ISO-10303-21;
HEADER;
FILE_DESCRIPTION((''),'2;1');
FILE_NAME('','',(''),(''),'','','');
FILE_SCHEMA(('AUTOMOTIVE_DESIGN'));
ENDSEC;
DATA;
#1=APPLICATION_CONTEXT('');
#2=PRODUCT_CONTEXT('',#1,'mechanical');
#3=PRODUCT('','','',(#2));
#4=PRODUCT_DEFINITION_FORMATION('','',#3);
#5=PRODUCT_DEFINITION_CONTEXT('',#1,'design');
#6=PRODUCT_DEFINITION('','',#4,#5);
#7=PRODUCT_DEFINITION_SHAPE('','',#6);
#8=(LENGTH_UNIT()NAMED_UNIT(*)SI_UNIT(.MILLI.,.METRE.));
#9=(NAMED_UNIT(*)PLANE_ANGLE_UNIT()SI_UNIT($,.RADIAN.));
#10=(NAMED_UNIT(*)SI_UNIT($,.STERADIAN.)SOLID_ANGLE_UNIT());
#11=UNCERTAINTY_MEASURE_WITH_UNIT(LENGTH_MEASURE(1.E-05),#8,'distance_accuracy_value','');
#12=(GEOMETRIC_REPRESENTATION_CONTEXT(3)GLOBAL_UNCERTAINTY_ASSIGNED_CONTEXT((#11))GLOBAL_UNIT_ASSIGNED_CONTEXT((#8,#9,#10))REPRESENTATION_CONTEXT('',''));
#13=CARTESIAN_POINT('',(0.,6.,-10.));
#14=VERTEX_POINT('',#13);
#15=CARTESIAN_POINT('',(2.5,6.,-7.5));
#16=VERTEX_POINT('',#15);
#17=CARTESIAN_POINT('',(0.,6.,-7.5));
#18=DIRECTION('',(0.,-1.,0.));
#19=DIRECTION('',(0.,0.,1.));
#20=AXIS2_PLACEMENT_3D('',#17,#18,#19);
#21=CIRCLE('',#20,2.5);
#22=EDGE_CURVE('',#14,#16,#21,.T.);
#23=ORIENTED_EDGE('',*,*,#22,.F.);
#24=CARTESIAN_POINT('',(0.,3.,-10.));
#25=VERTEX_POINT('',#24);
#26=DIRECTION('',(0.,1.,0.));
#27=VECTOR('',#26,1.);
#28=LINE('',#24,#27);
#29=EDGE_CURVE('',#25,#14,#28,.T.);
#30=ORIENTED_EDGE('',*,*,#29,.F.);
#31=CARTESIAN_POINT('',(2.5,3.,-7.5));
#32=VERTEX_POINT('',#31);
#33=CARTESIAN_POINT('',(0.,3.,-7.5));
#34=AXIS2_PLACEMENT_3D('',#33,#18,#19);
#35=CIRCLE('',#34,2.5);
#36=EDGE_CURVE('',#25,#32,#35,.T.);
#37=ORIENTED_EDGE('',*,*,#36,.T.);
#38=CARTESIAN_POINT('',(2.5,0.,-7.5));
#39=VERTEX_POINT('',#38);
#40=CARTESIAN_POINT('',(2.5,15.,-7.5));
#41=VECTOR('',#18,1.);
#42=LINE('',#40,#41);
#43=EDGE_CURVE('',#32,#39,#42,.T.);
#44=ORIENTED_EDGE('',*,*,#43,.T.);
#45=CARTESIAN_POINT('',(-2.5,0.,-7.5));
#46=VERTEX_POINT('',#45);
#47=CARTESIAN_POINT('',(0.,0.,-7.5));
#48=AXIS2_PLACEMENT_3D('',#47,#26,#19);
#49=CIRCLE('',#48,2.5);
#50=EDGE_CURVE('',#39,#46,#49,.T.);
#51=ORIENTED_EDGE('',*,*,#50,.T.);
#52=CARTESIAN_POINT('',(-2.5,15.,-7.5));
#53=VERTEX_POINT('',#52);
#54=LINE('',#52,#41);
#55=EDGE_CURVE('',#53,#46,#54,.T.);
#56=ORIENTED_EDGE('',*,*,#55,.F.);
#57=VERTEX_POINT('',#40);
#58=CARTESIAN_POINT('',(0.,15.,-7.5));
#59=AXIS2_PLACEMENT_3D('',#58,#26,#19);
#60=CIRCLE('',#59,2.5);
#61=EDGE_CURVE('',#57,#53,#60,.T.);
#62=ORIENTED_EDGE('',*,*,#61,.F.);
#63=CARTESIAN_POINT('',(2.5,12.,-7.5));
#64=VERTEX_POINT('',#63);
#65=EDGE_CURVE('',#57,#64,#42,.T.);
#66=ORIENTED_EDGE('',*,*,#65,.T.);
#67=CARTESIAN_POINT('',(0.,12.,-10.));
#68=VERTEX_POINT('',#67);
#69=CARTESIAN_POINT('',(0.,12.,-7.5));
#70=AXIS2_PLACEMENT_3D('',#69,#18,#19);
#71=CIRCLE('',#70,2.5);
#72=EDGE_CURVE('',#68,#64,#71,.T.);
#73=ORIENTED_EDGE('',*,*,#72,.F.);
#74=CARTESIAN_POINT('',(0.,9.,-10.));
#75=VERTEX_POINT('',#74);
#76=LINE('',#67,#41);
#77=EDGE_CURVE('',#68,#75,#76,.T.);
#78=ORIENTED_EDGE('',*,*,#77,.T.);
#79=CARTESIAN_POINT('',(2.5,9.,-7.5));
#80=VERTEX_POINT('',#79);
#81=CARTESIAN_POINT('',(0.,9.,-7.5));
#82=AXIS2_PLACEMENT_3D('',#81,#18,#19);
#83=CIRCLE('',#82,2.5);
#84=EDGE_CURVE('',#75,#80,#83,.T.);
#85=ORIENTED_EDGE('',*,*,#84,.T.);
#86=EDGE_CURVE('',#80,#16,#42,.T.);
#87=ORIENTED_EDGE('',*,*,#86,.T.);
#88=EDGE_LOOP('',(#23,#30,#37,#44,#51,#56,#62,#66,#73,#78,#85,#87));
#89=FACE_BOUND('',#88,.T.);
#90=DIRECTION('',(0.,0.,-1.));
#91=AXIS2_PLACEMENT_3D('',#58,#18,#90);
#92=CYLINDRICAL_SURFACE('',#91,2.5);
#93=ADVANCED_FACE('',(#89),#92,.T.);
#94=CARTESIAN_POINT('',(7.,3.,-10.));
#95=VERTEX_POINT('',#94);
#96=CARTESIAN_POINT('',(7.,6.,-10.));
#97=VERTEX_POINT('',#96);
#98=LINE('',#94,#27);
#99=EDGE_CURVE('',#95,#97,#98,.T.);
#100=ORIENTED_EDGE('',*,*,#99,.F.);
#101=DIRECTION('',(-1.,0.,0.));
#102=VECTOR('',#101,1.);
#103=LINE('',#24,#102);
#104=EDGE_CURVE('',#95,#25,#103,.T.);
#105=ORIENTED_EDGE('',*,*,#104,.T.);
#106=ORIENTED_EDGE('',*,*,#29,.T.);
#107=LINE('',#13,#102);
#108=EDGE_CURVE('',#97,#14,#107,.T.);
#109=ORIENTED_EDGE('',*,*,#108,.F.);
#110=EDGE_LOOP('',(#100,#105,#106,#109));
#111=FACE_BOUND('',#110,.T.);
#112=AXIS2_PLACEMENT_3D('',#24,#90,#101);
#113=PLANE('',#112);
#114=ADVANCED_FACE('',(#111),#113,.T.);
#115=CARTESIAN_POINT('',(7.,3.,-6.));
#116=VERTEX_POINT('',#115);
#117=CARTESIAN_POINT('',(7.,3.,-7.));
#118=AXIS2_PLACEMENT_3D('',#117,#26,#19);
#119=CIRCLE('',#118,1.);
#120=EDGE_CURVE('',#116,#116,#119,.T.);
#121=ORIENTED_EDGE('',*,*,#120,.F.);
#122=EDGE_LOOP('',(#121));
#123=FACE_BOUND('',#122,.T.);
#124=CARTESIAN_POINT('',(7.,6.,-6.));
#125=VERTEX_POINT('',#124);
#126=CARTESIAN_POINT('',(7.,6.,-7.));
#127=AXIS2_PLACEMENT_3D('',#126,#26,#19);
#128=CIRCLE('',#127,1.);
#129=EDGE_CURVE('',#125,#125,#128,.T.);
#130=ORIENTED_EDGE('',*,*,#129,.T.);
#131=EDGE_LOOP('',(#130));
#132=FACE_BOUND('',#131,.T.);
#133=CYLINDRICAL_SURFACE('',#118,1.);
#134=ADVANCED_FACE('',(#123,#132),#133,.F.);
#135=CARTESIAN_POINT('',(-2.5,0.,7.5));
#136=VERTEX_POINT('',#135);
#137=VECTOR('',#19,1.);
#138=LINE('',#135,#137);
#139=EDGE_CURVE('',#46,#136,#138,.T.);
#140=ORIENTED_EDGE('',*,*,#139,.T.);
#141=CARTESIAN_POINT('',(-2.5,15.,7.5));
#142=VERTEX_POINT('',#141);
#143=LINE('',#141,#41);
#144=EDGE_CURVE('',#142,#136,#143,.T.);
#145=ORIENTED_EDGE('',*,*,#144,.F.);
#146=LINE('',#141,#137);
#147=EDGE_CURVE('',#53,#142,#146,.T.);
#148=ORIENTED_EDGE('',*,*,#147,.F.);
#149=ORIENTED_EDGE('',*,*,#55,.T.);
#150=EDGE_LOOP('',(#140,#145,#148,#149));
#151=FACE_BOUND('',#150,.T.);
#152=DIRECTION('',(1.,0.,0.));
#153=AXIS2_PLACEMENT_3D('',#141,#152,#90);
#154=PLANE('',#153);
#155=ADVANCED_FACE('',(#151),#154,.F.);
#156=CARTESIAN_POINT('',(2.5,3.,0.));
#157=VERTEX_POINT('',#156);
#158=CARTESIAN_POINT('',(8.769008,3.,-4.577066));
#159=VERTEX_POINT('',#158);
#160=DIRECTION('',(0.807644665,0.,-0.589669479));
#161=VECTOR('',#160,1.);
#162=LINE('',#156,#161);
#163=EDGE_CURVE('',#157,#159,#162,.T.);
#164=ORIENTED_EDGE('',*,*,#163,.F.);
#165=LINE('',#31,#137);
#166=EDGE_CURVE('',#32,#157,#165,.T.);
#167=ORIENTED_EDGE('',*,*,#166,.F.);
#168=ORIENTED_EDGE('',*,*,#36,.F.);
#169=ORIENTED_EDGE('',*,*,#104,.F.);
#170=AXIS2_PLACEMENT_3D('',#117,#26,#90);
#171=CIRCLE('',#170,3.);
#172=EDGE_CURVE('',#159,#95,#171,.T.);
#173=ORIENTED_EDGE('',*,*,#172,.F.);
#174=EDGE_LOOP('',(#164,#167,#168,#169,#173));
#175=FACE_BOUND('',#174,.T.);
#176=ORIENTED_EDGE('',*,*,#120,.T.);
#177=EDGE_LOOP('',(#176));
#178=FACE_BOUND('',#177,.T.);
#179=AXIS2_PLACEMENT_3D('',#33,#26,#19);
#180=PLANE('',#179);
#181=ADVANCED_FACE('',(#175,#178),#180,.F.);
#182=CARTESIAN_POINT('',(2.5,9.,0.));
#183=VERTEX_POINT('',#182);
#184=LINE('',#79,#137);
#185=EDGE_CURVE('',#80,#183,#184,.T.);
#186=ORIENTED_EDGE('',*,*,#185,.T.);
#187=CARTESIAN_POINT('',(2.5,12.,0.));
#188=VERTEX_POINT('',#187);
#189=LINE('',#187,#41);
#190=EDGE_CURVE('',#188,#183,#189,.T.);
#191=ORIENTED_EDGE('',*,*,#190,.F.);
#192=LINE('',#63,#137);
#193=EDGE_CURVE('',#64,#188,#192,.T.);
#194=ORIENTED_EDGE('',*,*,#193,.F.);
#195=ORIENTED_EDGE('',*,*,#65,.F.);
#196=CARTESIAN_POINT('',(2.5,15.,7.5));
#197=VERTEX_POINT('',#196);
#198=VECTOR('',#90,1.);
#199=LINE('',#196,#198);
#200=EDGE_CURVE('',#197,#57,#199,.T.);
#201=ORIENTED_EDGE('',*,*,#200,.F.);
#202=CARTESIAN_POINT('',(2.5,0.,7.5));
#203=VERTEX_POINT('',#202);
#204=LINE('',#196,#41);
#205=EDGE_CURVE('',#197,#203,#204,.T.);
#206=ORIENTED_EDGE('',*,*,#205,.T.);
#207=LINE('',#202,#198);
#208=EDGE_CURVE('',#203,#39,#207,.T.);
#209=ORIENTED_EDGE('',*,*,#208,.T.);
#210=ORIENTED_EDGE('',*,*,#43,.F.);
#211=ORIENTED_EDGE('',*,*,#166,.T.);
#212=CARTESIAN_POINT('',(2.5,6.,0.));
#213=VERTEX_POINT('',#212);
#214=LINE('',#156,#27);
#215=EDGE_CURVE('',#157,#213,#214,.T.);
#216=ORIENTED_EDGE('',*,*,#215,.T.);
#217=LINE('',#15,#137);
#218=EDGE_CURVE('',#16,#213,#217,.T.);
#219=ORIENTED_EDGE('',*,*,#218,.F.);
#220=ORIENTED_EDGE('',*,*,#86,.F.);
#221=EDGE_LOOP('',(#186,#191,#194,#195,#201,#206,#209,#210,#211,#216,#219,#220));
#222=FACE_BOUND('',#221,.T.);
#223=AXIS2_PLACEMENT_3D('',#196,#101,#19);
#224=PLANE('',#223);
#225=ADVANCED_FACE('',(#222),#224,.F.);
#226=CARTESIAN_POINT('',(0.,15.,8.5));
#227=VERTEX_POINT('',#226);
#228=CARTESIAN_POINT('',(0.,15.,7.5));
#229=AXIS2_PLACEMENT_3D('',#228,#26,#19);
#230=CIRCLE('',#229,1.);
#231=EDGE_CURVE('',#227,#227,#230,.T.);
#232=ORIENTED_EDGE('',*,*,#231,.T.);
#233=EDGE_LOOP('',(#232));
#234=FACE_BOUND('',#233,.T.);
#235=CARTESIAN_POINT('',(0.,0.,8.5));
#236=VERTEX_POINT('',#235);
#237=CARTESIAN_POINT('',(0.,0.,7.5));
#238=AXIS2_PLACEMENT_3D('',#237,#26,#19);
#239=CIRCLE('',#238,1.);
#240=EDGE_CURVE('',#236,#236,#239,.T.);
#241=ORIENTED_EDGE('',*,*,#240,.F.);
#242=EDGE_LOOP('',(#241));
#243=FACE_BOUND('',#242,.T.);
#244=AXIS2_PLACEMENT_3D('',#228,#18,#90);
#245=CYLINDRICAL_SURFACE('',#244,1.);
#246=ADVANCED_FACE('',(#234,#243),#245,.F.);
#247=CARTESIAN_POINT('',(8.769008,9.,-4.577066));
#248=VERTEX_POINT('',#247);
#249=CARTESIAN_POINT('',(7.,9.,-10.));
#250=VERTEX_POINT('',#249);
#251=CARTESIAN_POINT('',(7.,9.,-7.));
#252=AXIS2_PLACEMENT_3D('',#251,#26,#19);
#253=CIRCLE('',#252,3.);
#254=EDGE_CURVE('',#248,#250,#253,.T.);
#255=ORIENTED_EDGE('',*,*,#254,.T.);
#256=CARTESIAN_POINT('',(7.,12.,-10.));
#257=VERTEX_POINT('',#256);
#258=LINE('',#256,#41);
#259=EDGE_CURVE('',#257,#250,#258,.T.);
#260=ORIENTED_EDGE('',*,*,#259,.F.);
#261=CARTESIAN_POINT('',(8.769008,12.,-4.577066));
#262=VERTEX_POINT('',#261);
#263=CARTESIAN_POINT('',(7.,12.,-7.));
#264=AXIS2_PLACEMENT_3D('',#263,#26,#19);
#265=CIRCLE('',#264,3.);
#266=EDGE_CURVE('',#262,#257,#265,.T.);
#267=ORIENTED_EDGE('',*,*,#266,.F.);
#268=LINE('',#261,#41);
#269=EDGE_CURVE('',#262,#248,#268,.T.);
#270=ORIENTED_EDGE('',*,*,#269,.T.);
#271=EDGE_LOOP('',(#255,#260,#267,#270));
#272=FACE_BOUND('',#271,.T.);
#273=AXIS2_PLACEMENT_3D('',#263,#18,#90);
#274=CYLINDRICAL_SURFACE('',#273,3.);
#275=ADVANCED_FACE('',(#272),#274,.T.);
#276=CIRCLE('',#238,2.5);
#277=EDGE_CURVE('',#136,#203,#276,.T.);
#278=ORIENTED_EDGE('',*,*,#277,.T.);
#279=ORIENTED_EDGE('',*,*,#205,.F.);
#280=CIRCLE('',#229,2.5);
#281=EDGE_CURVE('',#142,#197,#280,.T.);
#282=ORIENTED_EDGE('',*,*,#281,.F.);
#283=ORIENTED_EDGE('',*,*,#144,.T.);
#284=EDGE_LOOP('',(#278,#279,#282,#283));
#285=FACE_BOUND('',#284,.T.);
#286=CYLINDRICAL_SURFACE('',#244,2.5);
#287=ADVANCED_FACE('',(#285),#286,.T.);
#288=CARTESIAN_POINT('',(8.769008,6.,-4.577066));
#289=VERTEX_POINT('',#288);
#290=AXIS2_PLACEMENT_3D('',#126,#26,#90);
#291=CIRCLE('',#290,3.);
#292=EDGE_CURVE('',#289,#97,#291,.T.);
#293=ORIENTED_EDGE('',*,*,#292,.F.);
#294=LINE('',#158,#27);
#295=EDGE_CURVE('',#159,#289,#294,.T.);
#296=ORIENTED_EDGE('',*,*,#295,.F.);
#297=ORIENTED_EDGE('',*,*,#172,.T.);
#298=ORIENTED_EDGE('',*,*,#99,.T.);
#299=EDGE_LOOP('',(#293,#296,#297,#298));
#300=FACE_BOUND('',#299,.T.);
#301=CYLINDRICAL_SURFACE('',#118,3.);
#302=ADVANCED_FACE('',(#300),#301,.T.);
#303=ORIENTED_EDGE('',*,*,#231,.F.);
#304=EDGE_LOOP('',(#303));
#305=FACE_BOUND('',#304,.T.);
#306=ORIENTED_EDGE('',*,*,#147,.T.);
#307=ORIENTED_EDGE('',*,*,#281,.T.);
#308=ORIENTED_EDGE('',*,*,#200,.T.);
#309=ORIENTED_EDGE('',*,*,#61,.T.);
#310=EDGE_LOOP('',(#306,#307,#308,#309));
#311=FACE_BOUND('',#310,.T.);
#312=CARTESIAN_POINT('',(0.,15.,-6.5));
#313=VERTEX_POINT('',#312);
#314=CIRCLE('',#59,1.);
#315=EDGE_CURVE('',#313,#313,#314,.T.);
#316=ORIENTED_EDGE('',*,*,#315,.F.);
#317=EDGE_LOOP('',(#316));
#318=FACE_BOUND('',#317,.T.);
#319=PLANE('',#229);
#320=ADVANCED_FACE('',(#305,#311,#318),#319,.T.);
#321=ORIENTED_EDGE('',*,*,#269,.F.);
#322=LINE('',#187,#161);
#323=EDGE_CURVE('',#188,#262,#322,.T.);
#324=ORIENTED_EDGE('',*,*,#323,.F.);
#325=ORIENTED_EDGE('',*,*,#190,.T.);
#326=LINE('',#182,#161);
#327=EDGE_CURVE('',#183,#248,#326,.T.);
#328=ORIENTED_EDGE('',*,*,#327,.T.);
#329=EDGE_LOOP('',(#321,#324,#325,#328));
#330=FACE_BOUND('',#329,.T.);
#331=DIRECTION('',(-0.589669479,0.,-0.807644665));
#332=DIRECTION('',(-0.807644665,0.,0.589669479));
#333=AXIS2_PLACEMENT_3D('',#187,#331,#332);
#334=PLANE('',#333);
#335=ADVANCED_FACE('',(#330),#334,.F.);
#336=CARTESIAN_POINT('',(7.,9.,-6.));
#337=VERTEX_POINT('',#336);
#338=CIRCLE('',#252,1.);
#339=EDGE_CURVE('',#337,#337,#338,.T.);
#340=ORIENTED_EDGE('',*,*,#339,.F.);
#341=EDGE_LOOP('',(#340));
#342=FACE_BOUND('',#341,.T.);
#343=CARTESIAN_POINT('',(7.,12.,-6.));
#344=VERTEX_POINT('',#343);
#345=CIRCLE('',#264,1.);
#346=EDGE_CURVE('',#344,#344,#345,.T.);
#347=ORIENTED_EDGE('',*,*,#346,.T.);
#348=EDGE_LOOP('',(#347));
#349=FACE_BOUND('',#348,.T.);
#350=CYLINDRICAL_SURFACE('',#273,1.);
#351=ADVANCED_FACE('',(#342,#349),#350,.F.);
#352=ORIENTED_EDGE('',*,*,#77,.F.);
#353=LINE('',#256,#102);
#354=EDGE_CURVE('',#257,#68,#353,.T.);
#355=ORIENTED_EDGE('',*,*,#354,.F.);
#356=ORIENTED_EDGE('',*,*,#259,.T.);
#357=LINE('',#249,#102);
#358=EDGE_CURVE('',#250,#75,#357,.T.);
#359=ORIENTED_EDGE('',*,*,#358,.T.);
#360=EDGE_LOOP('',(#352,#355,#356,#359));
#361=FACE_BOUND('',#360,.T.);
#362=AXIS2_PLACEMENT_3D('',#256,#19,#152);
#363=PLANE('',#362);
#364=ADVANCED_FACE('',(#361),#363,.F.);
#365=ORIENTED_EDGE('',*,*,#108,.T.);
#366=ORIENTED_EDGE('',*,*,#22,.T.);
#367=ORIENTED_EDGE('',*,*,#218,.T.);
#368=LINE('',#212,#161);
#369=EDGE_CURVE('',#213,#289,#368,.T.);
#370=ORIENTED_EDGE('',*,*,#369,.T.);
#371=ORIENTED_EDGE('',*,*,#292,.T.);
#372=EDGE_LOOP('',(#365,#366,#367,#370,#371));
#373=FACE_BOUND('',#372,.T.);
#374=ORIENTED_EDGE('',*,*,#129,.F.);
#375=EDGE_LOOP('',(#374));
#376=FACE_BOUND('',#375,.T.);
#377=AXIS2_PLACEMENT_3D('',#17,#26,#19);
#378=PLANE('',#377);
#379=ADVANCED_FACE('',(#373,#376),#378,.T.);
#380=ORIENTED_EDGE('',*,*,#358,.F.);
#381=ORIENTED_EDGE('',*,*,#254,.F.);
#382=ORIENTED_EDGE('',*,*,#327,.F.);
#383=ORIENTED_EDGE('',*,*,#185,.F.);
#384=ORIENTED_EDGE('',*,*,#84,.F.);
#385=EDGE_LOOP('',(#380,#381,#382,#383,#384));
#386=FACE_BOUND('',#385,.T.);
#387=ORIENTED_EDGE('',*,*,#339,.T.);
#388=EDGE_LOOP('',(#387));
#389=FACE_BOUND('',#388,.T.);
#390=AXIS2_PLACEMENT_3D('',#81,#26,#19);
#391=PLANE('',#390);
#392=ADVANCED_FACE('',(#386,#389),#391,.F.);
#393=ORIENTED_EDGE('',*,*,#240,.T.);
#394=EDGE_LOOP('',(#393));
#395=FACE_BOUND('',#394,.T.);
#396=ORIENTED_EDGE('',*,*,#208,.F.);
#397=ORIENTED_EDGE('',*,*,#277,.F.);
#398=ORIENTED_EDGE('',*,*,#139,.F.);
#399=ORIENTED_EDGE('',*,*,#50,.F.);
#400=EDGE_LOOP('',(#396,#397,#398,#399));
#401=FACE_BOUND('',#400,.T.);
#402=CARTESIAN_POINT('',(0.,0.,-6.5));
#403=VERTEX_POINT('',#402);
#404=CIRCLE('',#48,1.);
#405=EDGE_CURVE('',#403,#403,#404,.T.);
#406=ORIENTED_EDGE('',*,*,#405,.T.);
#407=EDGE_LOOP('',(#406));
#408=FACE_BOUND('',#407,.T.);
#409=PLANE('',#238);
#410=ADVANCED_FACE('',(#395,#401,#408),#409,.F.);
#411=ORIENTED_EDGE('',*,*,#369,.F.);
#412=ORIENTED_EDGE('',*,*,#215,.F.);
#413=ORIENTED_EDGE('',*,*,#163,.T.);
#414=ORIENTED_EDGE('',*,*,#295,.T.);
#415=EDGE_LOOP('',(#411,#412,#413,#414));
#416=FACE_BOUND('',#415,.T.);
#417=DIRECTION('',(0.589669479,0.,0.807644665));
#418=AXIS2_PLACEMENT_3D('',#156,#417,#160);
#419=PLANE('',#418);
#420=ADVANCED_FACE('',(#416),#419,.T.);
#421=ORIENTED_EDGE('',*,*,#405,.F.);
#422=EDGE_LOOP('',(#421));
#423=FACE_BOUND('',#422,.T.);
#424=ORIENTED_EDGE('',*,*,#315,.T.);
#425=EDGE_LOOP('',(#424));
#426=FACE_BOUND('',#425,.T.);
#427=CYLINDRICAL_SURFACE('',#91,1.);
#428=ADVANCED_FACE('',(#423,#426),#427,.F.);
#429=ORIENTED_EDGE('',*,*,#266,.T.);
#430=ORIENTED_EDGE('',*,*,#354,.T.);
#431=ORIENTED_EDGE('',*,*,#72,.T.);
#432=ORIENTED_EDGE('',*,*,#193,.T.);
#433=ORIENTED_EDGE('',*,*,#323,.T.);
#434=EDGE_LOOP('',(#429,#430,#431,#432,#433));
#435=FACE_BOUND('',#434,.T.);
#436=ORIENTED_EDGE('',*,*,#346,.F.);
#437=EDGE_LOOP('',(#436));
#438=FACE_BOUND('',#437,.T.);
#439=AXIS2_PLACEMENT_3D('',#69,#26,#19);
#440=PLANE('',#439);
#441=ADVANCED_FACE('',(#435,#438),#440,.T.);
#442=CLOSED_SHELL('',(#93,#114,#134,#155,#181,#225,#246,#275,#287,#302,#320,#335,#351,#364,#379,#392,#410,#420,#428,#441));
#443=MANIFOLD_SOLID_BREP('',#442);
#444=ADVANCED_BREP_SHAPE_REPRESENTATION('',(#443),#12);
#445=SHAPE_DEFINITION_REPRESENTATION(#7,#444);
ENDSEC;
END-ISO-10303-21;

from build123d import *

# Parameters (mm, degrees)
CROQUIS1_R              = 1
SALIENTE_EXTRUIR1_DEPTH = 15
SALIENTE_EXTRUIR2_START = -3
CROQUIS2_R              = 1
SALIENTE_EXTRUIR2_DEPTH = 3
CROQUIS3_R              = 1
SALIENTE_EXTRUIR3_DEPTH = 3


with BuildPart() as part:
    # Croquis1 → Saliente-Extruir1 (new body)
    with BuildSketch(Plane(origin=(0, 0, 0), x_dir=(1, 0, 0), z_dir=(0, 1, 0))):
        with BuildLine():
            Line((-2.5, -7.5), (-2.5, 7.5))
            ThreePointArc((-2.5, 7.5), (0, 10), (2.5, 7.5))
            Line((2.5, 7.5), (2.5, -7.5))
            ThreePointArc((2.5, -7.5), (0, -10), (-2.5, -7.5))
        make_face()
        with Locations(Location((0, 7.5, 0), (0, 0, 270))):
            Circle(CROQUIS1_R, mode=Mode.SUBTRACT)
        with Locations(Location((0, -7.5, 0), (0, 0, 270))):
            Circle(CROQUIS1_R, mode=Mode.SUBTRACT)
    extrude(amount=SALIENTE_EXTRUIR1_DEPTH)

    # Croquis2 → Saliente-Extruir2 (add)
    with BuildSketch(Plane(origin=(0, 6, 0), x_dir=(-1, 0, 0), z_dir=(0, 1, 0)).offset(SALIENTE_EXTRUIR2_START)):
        with BuildLine():
            Line((-2.5, -7.5), (-2.5, 0))
            Line((-2.5, 0), (-8.769008438, -4.577066004))
            ThreePointArc((-8.769008438, -4.577066004), (-9.852087129, -7.930375734), (-7, -10))
            Line((-7, -10), (0, -10))
            ThreePointArc((0, -10), (-1.767766953, -9.267766953), (-2.5, -7.5))
        make_face()
        with Locations(Location((-7, -7, 0), (0, 0, 90))):
            Circle(CROQUIS2_R, mode=Mode.SUBTRACT)
    extrude(amount=SALIENTE_EXTRUIR2_DEPTH)

    # Croquis3 → Saliente-Extruir3 (add)
    with BuildSketch(Plane(origin=(0, 9, 0), x_dir=(-1, 0, 0), z_dir=(0, 1, 0))):
        with BuildLine():
            Line((-7, -10), (0, -10))
            ThreePointArc((0, -10), (-1.767766953, -9.267766953), (-2.5, -7.5))
            Line((-2.5, -7.5), (-2.5, 0))
            Line((-2.5, 0), (-8.769008438, -4.577066004))
            ThreePointArc((-8.769008438, -4.577066004), (-9.852087129, -7.930375734), (-7, -10))
        make_face()
        with Locations(Location((-7, -7, 0), (0, 0, 90))):
            Circle(CROQUIS3_R, mode=Mode.SUBTRACT)
    extrude(amount=SALIENTE_EXTRUIR3_DEPTH)


solid = part.part
